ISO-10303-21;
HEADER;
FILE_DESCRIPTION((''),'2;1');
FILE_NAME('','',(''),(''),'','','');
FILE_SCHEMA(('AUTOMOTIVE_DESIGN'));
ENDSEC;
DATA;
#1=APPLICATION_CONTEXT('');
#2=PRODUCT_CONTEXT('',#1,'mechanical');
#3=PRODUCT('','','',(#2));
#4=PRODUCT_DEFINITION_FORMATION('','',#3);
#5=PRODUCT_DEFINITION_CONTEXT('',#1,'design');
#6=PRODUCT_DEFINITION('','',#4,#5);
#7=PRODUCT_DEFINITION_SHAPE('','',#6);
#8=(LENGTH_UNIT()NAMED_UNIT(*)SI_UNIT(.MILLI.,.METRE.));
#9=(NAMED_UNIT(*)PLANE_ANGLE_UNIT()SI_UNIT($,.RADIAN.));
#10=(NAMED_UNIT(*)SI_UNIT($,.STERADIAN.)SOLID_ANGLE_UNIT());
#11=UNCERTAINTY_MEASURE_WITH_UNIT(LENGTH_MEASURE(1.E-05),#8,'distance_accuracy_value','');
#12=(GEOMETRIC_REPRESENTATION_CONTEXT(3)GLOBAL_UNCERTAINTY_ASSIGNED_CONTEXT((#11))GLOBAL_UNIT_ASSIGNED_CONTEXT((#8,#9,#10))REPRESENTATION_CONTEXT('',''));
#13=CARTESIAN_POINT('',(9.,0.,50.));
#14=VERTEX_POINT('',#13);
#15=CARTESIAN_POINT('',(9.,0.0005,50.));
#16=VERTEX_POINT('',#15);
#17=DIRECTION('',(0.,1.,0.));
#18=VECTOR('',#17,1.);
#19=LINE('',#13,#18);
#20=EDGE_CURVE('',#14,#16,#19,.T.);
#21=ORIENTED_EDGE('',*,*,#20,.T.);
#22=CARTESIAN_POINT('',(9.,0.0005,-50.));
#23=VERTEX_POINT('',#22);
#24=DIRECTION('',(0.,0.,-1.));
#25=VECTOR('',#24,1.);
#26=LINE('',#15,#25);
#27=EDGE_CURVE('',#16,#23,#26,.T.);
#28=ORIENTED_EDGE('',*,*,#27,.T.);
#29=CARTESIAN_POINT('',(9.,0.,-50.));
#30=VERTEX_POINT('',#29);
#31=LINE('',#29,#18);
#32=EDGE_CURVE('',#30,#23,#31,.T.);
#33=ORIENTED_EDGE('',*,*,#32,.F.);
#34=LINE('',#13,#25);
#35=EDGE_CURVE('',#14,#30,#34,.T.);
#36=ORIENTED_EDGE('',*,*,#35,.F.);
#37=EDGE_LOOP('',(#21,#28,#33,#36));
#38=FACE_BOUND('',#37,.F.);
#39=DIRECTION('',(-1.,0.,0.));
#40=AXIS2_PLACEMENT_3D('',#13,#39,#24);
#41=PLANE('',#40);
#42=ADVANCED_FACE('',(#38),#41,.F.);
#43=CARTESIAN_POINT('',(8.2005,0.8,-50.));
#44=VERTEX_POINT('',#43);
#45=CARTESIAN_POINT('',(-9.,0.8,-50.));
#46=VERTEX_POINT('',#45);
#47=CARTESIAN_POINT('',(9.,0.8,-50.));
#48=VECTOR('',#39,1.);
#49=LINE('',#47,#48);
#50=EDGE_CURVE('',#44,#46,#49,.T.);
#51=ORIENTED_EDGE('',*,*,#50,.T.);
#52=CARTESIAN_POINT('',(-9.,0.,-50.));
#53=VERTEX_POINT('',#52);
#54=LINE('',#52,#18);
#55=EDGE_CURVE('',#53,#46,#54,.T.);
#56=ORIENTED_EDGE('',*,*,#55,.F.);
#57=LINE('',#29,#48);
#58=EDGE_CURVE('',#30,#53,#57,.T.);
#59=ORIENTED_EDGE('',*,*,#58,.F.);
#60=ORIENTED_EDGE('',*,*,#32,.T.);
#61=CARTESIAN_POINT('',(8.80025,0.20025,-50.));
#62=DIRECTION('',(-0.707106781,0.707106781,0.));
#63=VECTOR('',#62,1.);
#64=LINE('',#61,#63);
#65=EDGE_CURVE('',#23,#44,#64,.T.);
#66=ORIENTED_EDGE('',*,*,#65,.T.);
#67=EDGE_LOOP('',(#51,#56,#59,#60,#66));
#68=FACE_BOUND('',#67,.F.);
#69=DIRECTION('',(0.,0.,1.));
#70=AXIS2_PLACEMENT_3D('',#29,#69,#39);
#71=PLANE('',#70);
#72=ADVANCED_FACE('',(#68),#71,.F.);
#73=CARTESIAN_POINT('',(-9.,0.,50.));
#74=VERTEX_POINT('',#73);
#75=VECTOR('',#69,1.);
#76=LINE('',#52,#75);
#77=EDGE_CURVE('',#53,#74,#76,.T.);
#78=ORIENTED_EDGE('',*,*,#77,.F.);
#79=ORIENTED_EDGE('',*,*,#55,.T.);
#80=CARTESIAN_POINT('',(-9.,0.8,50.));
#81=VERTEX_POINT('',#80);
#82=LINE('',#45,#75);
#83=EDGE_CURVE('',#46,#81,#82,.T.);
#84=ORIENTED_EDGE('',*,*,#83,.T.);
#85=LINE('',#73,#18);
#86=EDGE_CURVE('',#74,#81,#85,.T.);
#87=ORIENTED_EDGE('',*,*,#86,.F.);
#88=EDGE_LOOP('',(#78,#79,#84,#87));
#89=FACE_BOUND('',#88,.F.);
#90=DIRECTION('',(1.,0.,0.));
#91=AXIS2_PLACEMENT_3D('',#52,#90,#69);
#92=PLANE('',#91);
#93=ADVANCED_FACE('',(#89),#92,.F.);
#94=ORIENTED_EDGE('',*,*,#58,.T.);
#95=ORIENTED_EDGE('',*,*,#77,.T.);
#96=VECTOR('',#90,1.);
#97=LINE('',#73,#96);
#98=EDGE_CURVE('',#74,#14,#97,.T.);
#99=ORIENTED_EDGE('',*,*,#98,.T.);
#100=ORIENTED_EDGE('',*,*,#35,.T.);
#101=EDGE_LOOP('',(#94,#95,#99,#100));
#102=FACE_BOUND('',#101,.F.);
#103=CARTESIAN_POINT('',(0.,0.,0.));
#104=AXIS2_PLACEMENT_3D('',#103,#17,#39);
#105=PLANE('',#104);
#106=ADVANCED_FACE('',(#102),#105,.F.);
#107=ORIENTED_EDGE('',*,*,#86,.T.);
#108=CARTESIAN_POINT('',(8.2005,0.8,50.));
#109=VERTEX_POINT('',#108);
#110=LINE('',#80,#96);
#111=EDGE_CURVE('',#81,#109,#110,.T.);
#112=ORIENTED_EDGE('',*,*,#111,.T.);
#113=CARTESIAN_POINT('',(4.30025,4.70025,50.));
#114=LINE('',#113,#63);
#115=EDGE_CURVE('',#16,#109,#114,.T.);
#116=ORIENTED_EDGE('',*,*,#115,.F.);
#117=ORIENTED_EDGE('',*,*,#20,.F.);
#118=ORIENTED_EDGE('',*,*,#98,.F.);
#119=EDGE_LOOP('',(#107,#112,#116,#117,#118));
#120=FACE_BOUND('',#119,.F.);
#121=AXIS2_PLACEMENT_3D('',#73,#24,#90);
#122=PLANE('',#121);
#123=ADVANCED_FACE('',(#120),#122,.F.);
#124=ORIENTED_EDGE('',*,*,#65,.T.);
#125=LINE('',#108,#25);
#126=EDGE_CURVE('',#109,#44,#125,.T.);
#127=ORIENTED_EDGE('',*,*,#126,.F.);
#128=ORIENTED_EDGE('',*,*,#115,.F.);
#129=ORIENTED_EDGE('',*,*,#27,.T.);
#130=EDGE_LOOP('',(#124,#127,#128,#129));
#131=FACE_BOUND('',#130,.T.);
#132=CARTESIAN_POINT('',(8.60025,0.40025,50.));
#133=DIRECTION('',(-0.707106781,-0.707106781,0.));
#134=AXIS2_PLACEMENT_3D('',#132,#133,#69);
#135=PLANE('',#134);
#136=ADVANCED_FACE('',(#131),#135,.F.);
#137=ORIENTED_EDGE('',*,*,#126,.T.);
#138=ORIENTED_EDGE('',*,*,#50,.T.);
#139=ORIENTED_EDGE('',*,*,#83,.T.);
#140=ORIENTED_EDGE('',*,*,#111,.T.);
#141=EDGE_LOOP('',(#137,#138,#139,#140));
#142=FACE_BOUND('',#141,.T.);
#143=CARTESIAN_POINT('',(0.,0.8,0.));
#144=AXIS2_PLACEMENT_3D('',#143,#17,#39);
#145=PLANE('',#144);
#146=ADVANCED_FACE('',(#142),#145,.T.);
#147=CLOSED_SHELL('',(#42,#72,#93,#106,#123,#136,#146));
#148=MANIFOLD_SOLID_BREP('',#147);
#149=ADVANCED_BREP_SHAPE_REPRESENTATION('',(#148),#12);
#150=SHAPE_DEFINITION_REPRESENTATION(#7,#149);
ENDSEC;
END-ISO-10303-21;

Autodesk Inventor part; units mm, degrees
ref_plane "YZ Plane" through (0, 0, 0) normal (1, 0, 0) x (0, 1, 0)
ref_plane "XZ Plane" through (0, 0, 0) normal (0, 1, 0) x (-1, 0, 0)
ref_plane "XY Plane" through (0, 0, 0) normal (0, 0, 1) x (1, 0, 0)
sketch "Sketch1" plane through (0, 0, 0) normal (0, 1, 0) x (-1, 0, 0)
  line L0 (9, 50) -> (-9, 50)
  line L1 (-9, 50) -> (-9, -50)
  line L2 (-9, -50) -> (9, -50)
  line L3 (9, -50) -> (9, 50)
  point P0 (0, 0)
  dimension "d0" = 18
  dimension "d1" = 9
  dimension "d2" = 100
  dimension "d3" = 50
extrude "Extrusion1" add sketch "Sketch1" along normal blind 0.8
chamfer "Chamfer1" distance 0.8 angle 45 1 edges at (9, 0.8, 0)
properties part number "BLADE" material "Titanium"
